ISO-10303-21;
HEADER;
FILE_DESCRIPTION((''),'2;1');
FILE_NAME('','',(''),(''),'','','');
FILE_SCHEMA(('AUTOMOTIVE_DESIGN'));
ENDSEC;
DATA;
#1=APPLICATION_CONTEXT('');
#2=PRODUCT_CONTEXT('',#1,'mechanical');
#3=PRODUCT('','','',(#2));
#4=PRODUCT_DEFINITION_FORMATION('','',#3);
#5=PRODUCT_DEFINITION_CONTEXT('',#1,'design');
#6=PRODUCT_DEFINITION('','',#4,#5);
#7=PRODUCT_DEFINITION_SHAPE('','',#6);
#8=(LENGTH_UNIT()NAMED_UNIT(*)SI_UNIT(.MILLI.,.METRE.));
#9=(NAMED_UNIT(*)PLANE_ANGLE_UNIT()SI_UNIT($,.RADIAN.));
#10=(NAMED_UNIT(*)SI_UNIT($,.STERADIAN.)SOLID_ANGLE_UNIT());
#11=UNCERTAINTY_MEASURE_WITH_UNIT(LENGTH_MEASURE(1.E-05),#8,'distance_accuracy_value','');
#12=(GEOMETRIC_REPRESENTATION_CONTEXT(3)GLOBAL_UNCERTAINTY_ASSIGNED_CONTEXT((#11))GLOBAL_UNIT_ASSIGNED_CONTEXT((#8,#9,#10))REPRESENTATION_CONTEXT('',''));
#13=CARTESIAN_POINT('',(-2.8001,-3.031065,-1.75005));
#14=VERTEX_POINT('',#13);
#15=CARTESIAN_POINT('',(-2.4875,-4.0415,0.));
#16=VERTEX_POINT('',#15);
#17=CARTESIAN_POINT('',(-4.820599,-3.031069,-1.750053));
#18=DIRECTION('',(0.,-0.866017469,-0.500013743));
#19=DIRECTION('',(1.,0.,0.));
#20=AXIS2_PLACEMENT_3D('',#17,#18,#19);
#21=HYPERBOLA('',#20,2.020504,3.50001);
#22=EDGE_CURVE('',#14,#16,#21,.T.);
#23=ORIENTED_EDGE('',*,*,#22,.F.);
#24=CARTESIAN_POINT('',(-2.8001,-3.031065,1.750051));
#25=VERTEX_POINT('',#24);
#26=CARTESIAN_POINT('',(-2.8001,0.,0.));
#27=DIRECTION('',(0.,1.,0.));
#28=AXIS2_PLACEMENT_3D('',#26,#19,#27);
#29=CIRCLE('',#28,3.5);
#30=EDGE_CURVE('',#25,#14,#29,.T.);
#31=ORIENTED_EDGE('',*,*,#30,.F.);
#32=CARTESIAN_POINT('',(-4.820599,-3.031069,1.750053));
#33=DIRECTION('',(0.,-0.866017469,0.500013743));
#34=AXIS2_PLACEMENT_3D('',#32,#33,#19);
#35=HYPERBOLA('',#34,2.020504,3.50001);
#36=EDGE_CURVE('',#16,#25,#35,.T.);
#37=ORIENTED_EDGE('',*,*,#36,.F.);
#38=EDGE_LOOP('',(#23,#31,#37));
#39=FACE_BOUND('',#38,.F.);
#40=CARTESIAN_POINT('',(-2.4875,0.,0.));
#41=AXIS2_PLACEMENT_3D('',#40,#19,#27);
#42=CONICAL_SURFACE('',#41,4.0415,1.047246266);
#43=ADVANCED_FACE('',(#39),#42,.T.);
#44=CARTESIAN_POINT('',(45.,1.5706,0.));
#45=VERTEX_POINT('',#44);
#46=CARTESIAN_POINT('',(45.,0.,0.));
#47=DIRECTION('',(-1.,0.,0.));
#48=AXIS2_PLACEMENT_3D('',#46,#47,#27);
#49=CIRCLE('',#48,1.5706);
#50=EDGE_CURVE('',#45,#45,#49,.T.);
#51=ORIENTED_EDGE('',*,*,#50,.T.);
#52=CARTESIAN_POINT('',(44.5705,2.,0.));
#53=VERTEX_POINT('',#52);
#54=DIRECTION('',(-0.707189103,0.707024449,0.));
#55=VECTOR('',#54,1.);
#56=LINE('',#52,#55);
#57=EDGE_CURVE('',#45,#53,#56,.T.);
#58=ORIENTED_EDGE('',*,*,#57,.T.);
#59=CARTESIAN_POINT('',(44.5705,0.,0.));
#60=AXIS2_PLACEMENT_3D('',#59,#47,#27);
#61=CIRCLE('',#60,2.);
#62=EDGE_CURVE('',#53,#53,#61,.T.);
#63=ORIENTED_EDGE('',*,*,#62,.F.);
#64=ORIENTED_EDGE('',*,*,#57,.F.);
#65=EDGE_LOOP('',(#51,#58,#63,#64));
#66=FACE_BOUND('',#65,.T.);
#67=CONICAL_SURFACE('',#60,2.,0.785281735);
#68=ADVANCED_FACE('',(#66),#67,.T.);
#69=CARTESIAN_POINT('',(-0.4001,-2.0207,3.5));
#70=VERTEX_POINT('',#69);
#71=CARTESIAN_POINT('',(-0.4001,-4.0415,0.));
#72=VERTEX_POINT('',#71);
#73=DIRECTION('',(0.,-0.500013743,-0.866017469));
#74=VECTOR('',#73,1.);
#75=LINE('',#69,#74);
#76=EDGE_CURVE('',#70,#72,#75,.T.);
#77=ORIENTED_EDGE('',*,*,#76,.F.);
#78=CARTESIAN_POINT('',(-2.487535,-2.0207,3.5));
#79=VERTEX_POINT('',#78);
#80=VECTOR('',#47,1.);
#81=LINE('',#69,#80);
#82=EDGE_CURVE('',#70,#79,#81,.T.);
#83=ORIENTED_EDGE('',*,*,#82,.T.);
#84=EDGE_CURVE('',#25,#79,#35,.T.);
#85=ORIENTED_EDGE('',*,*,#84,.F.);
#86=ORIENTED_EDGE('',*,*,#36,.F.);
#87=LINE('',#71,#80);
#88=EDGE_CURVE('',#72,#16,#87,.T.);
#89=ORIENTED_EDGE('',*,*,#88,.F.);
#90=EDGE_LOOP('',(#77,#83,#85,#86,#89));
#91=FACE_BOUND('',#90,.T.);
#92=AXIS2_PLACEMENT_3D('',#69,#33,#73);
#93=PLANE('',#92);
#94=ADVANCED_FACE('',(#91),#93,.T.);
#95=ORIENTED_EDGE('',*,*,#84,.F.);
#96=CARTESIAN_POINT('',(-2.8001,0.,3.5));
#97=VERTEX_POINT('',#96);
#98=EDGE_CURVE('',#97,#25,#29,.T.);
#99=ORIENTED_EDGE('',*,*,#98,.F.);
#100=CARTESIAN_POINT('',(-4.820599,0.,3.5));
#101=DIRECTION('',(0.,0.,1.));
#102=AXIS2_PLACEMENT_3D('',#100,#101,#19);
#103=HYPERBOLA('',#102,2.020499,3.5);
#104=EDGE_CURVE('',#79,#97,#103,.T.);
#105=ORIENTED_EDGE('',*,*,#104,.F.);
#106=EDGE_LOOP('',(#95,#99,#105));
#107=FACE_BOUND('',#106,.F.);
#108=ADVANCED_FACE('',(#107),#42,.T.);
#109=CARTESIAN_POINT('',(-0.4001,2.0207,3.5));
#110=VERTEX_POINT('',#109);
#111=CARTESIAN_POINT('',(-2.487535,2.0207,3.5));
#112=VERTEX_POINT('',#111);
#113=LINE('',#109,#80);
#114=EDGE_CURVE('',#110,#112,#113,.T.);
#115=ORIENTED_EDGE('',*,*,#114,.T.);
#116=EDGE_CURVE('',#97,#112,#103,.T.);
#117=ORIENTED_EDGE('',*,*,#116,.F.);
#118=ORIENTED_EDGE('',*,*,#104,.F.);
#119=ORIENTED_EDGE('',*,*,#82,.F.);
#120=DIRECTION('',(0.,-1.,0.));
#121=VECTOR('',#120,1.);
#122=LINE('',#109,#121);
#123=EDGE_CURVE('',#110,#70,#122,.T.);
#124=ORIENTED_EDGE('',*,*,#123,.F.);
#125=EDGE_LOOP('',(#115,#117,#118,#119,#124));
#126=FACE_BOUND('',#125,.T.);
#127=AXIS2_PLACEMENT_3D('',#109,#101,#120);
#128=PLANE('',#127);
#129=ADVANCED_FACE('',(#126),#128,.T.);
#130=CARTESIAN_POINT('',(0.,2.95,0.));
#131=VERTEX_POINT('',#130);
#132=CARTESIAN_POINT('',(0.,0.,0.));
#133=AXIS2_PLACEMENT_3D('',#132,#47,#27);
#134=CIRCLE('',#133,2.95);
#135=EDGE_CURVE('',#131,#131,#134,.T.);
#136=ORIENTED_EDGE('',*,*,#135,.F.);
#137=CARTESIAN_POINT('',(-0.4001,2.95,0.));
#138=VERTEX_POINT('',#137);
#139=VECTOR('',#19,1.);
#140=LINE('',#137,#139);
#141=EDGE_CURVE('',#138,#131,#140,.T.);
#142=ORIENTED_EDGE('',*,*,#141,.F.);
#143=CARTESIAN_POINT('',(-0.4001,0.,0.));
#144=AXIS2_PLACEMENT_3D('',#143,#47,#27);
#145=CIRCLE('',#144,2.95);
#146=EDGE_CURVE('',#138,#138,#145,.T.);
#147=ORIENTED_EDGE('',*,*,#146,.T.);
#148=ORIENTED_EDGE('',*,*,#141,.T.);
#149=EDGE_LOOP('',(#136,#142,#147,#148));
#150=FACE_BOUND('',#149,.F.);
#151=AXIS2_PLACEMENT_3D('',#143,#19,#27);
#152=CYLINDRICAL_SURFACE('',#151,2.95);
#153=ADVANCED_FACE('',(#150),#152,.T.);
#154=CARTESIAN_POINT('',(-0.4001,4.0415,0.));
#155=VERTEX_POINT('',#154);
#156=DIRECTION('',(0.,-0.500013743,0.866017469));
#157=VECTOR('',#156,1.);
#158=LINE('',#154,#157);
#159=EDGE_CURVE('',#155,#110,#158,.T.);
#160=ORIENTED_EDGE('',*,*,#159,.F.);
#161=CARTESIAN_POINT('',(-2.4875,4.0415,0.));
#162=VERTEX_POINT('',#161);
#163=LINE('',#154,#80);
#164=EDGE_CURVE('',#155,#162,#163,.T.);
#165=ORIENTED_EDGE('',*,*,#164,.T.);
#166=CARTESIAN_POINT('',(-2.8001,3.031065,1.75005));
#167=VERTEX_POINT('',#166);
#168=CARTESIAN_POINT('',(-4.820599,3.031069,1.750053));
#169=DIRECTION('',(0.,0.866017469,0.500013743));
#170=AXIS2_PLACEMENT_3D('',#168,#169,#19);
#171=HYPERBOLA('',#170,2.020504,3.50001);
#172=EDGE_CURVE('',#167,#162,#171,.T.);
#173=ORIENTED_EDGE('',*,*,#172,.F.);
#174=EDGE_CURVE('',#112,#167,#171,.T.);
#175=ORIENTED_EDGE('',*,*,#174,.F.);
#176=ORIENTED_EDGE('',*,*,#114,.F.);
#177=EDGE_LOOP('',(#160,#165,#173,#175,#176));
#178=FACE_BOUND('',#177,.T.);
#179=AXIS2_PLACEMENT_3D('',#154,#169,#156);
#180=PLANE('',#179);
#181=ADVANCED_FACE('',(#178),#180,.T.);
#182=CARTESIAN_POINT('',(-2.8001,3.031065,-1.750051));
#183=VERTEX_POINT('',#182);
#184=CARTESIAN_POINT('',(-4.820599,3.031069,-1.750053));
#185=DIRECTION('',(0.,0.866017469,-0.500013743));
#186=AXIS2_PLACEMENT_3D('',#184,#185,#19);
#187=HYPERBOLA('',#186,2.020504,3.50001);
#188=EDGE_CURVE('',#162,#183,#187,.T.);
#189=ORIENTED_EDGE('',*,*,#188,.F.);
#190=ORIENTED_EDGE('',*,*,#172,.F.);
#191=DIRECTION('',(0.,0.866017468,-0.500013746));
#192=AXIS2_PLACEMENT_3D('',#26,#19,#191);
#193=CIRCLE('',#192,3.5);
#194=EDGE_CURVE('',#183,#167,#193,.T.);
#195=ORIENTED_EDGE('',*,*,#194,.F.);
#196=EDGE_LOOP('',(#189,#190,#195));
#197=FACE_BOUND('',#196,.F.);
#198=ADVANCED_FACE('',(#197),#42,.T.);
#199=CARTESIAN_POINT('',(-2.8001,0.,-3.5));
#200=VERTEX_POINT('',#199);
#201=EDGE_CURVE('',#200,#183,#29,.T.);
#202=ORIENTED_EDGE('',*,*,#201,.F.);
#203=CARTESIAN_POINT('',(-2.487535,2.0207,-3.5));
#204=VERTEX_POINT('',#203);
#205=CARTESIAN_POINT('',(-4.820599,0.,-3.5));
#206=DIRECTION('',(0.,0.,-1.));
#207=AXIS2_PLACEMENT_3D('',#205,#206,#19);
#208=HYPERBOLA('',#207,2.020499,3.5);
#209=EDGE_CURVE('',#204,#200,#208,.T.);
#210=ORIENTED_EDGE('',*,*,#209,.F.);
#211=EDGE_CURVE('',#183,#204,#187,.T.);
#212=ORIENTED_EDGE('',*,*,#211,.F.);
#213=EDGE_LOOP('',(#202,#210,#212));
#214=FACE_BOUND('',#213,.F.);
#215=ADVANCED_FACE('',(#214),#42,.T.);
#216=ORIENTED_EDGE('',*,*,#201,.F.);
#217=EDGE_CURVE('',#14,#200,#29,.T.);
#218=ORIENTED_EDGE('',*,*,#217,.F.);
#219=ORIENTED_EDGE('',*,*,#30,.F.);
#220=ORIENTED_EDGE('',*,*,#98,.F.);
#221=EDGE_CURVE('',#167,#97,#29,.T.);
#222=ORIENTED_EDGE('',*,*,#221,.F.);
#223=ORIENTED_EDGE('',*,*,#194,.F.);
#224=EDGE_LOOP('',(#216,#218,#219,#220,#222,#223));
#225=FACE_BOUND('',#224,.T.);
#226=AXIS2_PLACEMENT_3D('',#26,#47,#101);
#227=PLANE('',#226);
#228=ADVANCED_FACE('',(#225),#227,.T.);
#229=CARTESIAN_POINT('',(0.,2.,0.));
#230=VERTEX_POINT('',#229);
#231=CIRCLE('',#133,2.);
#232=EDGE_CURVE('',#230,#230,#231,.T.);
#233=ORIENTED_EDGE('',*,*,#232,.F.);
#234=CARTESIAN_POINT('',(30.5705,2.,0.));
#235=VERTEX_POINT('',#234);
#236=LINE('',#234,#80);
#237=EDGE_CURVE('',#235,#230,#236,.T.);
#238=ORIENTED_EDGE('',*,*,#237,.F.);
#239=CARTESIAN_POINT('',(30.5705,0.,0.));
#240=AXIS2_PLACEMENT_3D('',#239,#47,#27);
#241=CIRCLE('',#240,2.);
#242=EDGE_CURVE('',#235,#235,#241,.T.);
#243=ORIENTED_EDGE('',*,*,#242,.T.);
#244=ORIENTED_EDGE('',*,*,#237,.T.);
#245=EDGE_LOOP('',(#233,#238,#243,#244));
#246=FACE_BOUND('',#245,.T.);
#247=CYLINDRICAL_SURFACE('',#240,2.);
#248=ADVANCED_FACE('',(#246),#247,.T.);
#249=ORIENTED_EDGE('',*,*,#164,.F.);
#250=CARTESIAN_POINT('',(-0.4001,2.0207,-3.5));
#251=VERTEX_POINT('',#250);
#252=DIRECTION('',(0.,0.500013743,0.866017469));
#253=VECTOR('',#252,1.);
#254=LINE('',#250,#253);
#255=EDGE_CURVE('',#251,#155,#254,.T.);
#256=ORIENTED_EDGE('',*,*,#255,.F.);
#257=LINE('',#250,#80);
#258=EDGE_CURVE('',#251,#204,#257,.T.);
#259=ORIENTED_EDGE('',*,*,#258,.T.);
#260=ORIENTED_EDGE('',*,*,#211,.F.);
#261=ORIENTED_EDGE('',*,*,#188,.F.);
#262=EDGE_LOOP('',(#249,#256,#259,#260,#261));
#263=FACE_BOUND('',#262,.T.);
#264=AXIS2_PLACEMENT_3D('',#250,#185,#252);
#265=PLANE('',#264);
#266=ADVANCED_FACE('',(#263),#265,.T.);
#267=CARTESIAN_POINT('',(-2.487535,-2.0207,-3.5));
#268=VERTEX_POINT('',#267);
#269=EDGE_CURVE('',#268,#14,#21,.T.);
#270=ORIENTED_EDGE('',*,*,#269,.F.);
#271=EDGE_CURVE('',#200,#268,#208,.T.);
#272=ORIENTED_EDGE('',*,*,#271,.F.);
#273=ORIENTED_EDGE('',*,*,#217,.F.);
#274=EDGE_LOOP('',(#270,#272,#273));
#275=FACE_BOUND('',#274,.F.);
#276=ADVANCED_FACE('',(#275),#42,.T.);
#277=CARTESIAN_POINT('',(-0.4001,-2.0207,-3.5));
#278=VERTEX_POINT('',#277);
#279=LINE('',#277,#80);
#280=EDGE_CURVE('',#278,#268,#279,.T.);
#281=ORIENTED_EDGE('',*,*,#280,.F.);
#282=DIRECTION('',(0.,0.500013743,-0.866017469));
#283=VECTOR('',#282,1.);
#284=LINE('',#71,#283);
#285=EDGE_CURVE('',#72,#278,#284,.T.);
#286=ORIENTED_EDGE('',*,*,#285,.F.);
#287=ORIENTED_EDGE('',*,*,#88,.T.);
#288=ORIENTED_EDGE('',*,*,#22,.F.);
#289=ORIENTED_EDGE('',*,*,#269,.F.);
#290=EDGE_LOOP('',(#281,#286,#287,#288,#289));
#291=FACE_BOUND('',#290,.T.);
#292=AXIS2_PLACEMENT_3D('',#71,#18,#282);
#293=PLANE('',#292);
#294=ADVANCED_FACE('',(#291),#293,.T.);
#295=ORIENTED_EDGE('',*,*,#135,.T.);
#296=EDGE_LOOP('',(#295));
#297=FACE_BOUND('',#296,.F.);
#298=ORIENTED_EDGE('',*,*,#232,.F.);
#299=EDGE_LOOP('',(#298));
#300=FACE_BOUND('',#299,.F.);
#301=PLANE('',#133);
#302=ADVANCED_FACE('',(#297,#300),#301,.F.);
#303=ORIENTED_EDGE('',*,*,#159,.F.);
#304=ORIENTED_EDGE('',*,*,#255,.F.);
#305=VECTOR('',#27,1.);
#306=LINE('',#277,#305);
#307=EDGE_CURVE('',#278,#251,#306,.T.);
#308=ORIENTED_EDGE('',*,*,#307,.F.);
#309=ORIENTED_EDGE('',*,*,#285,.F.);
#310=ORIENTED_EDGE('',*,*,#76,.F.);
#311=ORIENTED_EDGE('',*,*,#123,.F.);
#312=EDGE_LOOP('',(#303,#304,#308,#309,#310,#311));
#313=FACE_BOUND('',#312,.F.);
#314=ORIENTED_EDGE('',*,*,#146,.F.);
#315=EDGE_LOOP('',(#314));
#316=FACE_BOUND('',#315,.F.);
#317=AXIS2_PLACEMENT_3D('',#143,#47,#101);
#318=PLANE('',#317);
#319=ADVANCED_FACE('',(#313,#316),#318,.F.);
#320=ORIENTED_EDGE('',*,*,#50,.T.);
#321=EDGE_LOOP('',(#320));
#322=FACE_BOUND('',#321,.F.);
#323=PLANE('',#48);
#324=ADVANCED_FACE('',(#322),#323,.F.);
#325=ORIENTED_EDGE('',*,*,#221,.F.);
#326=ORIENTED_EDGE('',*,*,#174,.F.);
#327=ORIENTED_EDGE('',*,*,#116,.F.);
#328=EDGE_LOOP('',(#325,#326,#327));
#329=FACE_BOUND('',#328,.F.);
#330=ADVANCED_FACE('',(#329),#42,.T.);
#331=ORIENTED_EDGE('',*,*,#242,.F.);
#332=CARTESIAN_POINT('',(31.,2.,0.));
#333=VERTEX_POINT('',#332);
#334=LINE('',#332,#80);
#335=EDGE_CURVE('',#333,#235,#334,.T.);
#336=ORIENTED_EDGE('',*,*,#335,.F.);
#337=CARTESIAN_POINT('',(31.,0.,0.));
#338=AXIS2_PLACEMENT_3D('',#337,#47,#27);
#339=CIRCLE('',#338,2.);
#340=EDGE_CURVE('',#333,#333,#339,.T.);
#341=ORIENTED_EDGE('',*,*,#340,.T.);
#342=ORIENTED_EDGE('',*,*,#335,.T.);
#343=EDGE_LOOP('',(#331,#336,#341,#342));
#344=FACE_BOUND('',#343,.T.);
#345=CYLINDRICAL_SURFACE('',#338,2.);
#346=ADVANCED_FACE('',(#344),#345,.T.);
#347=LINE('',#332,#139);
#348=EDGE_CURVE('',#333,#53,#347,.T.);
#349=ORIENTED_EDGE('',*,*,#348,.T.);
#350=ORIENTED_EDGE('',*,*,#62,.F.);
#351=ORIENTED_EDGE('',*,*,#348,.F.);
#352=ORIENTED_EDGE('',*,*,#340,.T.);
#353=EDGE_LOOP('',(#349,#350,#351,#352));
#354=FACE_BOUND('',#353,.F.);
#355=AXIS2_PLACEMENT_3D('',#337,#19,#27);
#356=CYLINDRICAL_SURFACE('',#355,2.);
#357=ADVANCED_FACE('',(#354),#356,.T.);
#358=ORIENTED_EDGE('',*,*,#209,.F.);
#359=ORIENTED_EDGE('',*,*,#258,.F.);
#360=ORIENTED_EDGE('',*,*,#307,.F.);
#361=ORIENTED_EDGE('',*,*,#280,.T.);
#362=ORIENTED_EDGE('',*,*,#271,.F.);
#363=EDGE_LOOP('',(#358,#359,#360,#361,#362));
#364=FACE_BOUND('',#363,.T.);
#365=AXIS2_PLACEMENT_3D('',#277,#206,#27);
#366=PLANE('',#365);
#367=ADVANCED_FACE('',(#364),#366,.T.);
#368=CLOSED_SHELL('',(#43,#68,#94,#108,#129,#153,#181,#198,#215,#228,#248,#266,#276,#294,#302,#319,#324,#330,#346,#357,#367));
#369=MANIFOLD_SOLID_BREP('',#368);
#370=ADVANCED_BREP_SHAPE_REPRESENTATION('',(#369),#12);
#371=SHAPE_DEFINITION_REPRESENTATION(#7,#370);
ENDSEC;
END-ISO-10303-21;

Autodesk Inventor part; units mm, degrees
ref_plane "YZ Plane" through (0, 0, 0) normal (1, 0, 0) x (0, 1, 0)
ref_plane "XZ Plane" through (0, 0, 0) normal (0, 1, 0) x (-1, 0, 0)
sketch "Boceto1" plane through (0, 0, 0) normal (0, 0, 1) x (1, 0, 0)
  line L0 (0, 2.95) -> (0, 2)
  line L1 (31, 2) -> (45, 2)
  line L2 (45, 2) -> (45, 0)
  line L3 (45, 0) -> (-0.4001, 0)
  line L4 (-9.4801, 0) -> (54.08, 0) projected
  line L5 (-0.4001, 0) -> (-0.4001, 2.95)
  line L6 (-0.4001, 2.95) -> (0, 2.95)
  line L7 (31, 2) -> (30.5705, 2)
  line L8 (30.5705, 2) -> (0, 2)
  line L9 (0, -0.59) -> (0, 3.54) projected
  dimension "d0" = 45
  dimension "d1" = 14
  dimension "d2" = 4
  dimension "d9" = 0.4001
  dimension "d10" = 5.9
  dimension "d13" = 0.4295
  dimension "d14" = 4
revolve "Cuerpo" add sketch "Boceto1" angle 360 about axis through (45, 0, 0) along (-1, 0, 0)
sketch "Boceto2" plane through (-0.4001, 0, 0) normal (-1, 0, 0) x (0, 0, 1)
  line L0 (0, 4.0415) -> (3.5, 2.0207)
  line L1 (3.5, 2.0207) -> (3.5, -2.0207)
  line L2 (3.5, -2.0207) -> (0, -4.0415)
  line L3 (0, -4.0415) -> (-3.5, -2.0207)
  line L4 (-3.5, -2.0207) -> (-3.5, 2.0207)
  line L5 (-3.5, 2.0207) -> (0, 4.0415)
  point P0 (0, 0)
  point P1 (0, 0)
  dimension "d11" = 7
extrude "Cabeza" add sketch "Boceto2" along normal blind 2.4
sketch "Boceto4" plane through (0, 0, 0) normal (0, 0, 1) x (1, 0, 0)
  line L0 (-2.8001, 3.5) -> (-2.8001, 4.0415)
  line L1 (-2.8001, 4.0415) -> (-2.4875, 4.0415)
  line L2 (-2.4875, 4.0415) -> (-2.8001, 3.5)
  line L3 (-3.2801, 0) -> (0.0799, 0) projected
  line L4 (-0.4001, 4.0415) -> (-2.8001, 4.0415) projected
  line L5 (-2.8001, 2.0207) -> (-2.8001, 4.0415) projected
  dimension "d5" = 30
  dimension "d19" = 7
revolve "Chaflán1" cut sketch "Boceto4" angle 360 about axis through (-10, 0, 0) along (1, 0, 0)
thread "Rosca" size "M4x0.7" class "6g" standard "ISO Metric profile" length 14
chamfer "Chaflán2" distance 0.4294 distance2 0.4295 1 edges at (45, -2, 0) measured on face at (45, -0.2364, -0.6233)
ref_plane "Work Plane1" through (1.525, 0, 0) normal (0, 0, 1) x (1, 0, 0)
equation "\"d1\" = GEL"
equation "\"d2\" = GD"
equation "\"d10\" = SD2"
equation "\"d14\" = BDM"
equation "\"d11\" = SW"
equation "\"d3\" = KOH - SD"
equation "\"d5\" = ANG1"
equation "\"d19\" = SW0"
equation "\"d15\" = GEL"
equation "\"d6\" = -0.5 * SPD + 0.5 * GD"
equation "\"NLG\" = 25"
equation "\"GD\" = NND"
equation "\"BDM\" = NND"
equation "\"KOH\" = 2.8"
equation "\"GEL\" = 14"
equation "\"SW\" = 7"
equation "\"SW0\" = SW"
equation "\"SPD\" = NND - 1.2269 * PTC"
equation "\"SD2\" = SDH"
equation "\"SD\" = 0.4"
equation "\"ANG1\" = 30deg"
equation "\"GAL\" = 0.61345 * PTC"
equation "\"GUL\" = 0.61345 * PTC"
equation "\"RR\" = 0.15"
equation "\"WFT\" = RR"
equation "\"GD1\" = THREADDIA - 1.2269 * PTC"
equation "\"THREADDIA\" = 4"
equation "\"SDH\" = 5.9"
equation "\"TOA\" = 30deg"
equation "\"PTC\" = 0.7"
equation "\"NND\" = 4"
equation "\"E0\" = 1.155 * SW"
properties part number "UNI 5737 - M4 x 25" material "Acero, suave"
